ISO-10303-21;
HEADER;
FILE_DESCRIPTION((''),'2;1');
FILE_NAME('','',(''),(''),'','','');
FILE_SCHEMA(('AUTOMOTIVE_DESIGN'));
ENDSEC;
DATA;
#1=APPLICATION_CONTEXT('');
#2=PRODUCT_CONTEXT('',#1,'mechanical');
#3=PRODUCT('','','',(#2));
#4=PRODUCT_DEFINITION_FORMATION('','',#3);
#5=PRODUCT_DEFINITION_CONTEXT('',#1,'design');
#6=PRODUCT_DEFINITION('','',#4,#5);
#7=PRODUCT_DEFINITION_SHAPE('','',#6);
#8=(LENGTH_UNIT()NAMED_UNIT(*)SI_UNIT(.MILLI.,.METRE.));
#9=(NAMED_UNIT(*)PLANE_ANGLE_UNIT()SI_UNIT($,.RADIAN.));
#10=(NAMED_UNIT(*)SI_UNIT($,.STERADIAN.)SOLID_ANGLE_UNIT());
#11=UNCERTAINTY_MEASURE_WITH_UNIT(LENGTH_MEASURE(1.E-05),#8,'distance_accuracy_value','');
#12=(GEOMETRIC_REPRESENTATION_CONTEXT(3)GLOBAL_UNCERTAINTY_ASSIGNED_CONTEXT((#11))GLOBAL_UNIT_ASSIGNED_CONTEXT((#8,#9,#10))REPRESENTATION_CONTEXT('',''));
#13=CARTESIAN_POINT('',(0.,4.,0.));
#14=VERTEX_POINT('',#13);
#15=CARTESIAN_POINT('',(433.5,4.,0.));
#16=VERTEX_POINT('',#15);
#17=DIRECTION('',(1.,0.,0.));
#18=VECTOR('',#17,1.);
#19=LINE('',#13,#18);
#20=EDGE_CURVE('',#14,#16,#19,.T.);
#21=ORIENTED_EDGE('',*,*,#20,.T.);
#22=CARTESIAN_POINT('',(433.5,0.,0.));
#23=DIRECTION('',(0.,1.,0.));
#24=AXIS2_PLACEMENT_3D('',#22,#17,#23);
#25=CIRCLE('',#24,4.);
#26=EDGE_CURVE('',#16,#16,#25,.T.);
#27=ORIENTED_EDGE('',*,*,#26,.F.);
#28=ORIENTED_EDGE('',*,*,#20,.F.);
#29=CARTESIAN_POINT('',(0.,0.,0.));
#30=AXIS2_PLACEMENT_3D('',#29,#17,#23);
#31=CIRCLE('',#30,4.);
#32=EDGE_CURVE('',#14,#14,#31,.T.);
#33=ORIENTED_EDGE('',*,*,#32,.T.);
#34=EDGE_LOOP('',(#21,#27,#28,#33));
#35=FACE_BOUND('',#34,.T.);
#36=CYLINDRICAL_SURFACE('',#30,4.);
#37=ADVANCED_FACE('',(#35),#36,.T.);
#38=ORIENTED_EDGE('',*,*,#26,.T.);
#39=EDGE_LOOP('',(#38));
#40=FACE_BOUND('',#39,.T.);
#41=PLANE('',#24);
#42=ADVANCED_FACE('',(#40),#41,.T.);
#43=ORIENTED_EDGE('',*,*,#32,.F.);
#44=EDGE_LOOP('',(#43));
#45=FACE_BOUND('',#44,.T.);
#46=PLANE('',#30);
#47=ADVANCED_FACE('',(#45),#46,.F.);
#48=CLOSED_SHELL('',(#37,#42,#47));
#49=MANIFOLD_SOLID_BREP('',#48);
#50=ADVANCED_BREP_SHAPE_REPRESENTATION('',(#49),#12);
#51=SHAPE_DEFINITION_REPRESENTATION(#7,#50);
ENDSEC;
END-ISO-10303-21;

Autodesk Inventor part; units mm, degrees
ref_plane "Płaszczyzna początkowa" through (0, 0, 0) normal (1, 0, 0) x (0, 1, 0)
ref_plane "XZ Plane" through (0, 0, 0) normal (0, 1, 0) x (-1, 0, 0)
ref_plane "XY Plane" through (0, 0, 0) normal (0, 0, 1) x (1, 0, 0)
sketch "Szkic główny" plane through (0, 0, 0) normal (0, 0, 1) x (1, 0, 0)
  line L0 (0, 0) -> (433.5, 0)
  line L1 (0, 0) -> (0, 4)
  line L2 (433.5, 4) -> (433.5, 0)
  line L3 (0, 4) -> (433.5, 4)
  dimension "d3" = 8
revolve "Obrót1" add sketch "Szkic główny" angle 360 about axis through (0, 0, 0) along (1, 0, 0)
properties part number "8x435axis" material "Steel"
